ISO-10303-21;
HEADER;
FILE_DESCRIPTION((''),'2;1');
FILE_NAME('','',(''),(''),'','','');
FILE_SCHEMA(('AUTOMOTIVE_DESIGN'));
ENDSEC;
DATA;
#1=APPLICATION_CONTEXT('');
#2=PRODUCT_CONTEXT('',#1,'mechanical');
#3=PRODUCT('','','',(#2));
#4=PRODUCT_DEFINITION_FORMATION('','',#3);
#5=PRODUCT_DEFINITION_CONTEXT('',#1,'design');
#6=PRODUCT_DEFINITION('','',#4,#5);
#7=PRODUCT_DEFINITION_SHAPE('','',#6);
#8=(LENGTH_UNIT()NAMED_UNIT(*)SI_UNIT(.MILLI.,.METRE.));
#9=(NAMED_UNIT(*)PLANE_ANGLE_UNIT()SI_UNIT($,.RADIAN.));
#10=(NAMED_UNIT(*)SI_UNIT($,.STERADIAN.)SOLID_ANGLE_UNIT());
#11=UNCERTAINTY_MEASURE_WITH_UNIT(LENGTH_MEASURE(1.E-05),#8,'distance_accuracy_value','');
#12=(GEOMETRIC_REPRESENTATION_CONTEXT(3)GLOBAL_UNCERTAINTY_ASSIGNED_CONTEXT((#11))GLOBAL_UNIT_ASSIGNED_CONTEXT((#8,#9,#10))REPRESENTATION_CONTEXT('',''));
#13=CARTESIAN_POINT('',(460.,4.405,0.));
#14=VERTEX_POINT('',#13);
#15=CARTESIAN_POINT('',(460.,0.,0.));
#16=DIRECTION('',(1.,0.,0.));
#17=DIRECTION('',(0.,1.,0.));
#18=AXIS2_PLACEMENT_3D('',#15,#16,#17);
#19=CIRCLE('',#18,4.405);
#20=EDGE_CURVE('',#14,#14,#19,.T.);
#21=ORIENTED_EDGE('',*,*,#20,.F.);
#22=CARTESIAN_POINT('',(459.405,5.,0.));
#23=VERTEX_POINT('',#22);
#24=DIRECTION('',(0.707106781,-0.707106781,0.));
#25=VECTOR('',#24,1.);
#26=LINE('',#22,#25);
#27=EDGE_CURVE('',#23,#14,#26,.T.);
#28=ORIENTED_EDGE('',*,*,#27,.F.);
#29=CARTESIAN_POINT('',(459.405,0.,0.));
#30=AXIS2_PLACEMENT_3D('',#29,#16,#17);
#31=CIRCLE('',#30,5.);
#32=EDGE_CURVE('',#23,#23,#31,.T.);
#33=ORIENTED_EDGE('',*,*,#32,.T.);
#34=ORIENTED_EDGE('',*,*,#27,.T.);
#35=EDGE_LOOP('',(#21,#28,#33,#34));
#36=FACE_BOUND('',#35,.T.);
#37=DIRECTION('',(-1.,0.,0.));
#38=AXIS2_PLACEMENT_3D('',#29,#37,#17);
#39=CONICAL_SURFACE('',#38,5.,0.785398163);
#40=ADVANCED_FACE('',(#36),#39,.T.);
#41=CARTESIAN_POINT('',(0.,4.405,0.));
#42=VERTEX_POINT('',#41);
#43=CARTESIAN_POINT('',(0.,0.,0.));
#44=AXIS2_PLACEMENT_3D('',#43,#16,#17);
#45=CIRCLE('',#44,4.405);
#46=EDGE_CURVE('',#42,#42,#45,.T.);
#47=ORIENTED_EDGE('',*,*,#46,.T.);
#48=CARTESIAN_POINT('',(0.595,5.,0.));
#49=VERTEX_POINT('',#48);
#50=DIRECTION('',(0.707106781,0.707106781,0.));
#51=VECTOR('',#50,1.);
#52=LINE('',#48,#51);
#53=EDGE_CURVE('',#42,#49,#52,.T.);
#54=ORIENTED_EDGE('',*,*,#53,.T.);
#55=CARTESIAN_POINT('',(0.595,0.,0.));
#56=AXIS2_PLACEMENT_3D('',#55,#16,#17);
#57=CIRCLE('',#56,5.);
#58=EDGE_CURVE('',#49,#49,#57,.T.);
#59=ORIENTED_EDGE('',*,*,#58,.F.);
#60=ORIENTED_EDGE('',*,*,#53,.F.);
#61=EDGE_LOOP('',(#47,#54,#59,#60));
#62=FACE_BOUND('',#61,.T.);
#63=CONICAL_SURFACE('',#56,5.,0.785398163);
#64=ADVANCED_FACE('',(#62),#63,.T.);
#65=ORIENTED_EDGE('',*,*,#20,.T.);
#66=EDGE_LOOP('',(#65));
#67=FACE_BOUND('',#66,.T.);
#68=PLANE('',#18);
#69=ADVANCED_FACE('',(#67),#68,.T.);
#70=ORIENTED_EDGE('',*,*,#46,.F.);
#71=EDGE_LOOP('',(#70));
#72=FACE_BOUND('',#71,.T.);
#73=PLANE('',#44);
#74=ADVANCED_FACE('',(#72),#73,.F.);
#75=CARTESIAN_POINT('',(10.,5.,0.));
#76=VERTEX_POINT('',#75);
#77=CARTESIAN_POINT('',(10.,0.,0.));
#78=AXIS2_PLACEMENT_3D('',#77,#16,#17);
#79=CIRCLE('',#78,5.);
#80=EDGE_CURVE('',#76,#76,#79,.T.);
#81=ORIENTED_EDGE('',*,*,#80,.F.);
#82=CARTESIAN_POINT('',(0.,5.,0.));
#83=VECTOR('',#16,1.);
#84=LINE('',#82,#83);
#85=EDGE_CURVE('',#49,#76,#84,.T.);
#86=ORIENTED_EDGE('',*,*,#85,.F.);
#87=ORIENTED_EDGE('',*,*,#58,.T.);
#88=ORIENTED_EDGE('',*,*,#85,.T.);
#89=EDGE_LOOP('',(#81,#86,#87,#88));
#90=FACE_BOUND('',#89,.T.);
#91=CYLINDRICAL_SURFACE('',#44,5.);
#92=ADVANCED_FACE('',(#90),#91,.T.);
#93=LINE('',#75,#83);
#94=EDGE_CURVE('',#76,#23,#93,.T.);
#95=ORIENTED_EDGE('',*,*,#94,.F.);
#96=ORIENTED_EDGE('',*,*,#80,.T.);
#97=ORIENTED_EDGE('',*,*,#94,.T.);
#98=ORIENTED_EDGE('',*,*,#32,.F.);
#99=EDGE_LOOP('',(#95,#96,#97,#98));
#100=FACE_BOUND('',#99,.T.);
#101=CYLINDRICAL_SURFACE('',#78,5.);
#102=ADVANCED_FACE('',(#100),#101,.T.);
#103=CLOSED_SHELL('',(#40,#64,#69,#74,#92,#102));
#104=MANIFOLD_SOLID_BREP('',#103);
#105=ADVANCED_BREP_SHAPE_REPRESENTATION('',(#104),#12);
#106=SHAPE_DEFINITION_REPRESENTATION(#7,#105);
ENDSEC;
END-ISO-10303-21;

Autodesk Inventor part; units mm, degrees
ref_plane "Start Plane" through (0, 0, 0) normal (1, 0, 0) x (0, 1, 0)
ref_plane "XZ Plane" through (0, 0, 0) normal (0, 1, 0) x (-1, 0, 0)
ref_plane "XY Plane" through (0, 0, 0) normal (0, 0, 1) x (1, 0, 0)
sketch "Main Sketch" plane through (0, 0, 0) normal (0, 0, 1) x (1, 0, 0)
  line L0 (0, 0) -> (460, 0)
  line L1 (460, 5) -> (460, 0)
  line L2 (10, 5) -> (460, 5)
  line L3 (0, 0) -> (0, 5)
  line L4 (0, 5) -> (10, 5)
  dimension "d3" = 10
  dimension "d15" = 10
revolve "Revolution1" add sketch "Main Sketch" angle 360 about axis through (0, 0, 0) along (1, 0, 0)
chamfer "Chamfer4" distance 0.595 angle 45 1 edges at (0, -5, 0) measured on face at (3.3333, 4.9353, -0.8021)
chamfer "Chamfer3" distance 0.595 angle 45 1 edges at (460, -5, 0) measured on face at (160, 4.9838, -0.4023)
properties part number "Eje Principal - Interno" material "Aluminum 6061"
